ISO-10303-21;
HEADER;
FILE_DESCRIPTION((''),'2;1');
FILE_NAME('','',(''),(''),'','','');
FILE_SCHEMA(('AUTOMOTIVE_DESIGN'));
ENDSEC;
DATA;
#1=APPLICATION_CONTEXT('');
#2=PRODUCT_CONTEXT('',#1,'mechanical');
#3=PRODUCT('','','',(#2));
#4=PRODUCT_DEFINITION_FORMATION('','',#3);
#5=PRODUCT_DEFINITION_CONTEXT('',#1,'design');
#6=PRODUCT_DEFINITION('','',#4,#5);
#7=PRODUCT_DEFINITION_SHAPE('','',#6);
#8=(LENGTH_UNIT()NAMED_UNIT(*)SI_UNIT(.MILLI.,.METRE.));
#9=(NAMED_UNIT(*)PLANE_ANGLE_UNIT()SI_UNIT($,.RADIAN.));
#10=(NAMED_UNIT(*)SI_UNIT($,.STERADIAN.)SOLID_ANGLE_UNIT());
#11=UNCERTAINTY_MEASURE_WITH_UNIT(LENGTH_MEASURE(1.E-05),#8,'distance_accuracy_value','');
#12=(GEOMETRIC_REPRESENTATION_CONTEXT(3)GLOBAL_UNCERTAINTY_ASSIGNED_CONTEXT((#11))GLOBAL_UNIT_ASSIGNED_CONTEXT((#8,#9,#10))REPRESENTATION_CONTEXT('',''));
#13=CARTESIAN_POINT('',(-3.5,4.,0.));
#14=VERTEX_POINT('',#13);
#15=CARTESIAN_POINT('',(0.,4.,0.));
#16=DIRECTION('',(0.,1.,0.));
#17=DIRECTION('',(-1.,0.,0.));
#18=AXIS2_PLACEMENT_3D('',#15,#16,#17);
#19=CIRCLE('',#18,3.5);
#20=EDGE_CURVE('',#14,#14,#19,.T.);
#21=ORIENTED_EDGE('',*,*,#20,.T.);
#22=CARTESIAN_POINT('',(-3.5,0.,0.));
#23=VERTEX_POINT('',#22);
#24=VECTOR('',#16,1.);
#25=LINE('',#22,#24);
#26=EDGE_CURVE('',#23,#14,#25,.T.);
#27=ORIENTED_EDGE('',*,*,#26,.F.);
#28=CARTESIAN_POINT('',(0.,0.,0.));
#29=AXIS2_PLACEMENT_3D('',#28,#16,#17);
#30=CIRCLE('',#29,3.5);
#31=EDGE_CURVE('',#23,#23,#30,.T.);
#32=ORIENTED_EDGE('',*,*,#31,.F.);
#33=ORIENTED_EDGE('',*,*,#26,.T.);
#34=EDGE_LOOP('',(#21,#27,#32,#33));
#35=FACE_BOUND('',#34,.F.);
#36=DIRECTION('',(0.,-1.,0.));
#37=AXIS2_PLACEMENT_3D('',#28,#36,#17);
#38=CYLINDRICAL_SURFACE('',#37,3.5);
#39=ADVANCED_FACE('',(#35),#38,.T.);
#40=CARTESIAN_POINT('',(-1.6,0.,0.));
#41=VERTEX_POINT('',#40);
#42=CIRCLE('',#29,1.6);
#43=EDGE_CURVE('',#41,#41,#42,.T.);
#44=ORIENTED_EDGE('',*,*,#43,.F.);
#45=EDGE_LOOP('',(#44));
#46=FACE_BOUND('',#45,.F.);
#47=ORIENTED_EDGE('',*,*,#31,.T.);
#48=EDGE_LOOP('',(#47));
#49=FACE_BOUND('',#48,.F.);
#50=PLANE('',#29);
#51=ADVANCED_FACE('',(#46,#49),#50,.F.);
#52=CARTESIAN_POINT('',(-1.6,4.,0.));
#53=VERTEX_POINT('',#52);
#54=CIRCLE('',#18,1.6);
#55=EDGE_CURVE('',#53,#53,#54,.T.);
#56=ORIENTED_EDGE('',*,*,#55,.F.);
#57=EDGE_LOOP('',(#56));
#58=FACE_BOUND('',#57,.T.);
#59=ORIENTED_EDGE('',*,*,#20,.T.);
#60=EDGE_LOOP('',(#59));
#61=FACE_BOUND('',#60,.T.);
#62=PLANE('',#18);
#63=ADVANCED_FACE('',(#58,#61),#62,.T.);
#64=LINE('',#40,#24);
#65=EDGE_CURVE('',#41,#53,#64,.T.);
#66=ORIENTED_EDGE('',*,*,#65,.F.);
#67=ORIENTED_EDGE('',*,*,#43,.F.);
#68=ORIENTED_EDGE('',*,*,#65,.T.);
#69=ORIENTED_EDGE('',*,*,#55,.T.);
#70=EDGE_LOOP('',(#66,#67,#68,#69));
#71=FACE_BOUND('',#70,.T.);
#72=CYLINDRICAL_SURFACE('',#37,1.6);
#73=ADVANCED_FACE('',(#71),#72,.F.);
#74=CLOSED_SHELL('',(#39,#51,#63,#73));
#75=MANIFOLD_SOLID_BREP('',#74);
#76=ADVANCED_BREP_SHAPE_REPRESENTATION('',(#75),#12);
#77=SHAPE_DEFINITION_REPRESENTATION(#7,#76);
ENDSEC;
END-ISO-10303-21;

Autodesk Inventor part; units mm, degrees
ref_plane "YZ Plane" through (0, 0, 0) normal (1, 0, 0) x (0, 1, 0)
ref_plane "XZ Plane" through (0, 0, 0) normal (0, 1, 0) x (-1, 0, 0)
ref_plane "XY Plane" through (0, 0, 0) normal (0, 0, 1) x (1, 0, 0)
sketch "Sketch1" plane through (0, 0, 0) normal (0, 1, 0) x (-1, 0, 0)
  circle A0 centre (0, 0) radius 1.6
  circle A1 centre (0, 0) radius 3.5
  dimension "d0" = 3.2
  dimension "d1" = 7
extrude "Extrusion1" add sketch "Sketch1" along normal blind 4
properties part number "Nylon M3 4mm Spacer"
